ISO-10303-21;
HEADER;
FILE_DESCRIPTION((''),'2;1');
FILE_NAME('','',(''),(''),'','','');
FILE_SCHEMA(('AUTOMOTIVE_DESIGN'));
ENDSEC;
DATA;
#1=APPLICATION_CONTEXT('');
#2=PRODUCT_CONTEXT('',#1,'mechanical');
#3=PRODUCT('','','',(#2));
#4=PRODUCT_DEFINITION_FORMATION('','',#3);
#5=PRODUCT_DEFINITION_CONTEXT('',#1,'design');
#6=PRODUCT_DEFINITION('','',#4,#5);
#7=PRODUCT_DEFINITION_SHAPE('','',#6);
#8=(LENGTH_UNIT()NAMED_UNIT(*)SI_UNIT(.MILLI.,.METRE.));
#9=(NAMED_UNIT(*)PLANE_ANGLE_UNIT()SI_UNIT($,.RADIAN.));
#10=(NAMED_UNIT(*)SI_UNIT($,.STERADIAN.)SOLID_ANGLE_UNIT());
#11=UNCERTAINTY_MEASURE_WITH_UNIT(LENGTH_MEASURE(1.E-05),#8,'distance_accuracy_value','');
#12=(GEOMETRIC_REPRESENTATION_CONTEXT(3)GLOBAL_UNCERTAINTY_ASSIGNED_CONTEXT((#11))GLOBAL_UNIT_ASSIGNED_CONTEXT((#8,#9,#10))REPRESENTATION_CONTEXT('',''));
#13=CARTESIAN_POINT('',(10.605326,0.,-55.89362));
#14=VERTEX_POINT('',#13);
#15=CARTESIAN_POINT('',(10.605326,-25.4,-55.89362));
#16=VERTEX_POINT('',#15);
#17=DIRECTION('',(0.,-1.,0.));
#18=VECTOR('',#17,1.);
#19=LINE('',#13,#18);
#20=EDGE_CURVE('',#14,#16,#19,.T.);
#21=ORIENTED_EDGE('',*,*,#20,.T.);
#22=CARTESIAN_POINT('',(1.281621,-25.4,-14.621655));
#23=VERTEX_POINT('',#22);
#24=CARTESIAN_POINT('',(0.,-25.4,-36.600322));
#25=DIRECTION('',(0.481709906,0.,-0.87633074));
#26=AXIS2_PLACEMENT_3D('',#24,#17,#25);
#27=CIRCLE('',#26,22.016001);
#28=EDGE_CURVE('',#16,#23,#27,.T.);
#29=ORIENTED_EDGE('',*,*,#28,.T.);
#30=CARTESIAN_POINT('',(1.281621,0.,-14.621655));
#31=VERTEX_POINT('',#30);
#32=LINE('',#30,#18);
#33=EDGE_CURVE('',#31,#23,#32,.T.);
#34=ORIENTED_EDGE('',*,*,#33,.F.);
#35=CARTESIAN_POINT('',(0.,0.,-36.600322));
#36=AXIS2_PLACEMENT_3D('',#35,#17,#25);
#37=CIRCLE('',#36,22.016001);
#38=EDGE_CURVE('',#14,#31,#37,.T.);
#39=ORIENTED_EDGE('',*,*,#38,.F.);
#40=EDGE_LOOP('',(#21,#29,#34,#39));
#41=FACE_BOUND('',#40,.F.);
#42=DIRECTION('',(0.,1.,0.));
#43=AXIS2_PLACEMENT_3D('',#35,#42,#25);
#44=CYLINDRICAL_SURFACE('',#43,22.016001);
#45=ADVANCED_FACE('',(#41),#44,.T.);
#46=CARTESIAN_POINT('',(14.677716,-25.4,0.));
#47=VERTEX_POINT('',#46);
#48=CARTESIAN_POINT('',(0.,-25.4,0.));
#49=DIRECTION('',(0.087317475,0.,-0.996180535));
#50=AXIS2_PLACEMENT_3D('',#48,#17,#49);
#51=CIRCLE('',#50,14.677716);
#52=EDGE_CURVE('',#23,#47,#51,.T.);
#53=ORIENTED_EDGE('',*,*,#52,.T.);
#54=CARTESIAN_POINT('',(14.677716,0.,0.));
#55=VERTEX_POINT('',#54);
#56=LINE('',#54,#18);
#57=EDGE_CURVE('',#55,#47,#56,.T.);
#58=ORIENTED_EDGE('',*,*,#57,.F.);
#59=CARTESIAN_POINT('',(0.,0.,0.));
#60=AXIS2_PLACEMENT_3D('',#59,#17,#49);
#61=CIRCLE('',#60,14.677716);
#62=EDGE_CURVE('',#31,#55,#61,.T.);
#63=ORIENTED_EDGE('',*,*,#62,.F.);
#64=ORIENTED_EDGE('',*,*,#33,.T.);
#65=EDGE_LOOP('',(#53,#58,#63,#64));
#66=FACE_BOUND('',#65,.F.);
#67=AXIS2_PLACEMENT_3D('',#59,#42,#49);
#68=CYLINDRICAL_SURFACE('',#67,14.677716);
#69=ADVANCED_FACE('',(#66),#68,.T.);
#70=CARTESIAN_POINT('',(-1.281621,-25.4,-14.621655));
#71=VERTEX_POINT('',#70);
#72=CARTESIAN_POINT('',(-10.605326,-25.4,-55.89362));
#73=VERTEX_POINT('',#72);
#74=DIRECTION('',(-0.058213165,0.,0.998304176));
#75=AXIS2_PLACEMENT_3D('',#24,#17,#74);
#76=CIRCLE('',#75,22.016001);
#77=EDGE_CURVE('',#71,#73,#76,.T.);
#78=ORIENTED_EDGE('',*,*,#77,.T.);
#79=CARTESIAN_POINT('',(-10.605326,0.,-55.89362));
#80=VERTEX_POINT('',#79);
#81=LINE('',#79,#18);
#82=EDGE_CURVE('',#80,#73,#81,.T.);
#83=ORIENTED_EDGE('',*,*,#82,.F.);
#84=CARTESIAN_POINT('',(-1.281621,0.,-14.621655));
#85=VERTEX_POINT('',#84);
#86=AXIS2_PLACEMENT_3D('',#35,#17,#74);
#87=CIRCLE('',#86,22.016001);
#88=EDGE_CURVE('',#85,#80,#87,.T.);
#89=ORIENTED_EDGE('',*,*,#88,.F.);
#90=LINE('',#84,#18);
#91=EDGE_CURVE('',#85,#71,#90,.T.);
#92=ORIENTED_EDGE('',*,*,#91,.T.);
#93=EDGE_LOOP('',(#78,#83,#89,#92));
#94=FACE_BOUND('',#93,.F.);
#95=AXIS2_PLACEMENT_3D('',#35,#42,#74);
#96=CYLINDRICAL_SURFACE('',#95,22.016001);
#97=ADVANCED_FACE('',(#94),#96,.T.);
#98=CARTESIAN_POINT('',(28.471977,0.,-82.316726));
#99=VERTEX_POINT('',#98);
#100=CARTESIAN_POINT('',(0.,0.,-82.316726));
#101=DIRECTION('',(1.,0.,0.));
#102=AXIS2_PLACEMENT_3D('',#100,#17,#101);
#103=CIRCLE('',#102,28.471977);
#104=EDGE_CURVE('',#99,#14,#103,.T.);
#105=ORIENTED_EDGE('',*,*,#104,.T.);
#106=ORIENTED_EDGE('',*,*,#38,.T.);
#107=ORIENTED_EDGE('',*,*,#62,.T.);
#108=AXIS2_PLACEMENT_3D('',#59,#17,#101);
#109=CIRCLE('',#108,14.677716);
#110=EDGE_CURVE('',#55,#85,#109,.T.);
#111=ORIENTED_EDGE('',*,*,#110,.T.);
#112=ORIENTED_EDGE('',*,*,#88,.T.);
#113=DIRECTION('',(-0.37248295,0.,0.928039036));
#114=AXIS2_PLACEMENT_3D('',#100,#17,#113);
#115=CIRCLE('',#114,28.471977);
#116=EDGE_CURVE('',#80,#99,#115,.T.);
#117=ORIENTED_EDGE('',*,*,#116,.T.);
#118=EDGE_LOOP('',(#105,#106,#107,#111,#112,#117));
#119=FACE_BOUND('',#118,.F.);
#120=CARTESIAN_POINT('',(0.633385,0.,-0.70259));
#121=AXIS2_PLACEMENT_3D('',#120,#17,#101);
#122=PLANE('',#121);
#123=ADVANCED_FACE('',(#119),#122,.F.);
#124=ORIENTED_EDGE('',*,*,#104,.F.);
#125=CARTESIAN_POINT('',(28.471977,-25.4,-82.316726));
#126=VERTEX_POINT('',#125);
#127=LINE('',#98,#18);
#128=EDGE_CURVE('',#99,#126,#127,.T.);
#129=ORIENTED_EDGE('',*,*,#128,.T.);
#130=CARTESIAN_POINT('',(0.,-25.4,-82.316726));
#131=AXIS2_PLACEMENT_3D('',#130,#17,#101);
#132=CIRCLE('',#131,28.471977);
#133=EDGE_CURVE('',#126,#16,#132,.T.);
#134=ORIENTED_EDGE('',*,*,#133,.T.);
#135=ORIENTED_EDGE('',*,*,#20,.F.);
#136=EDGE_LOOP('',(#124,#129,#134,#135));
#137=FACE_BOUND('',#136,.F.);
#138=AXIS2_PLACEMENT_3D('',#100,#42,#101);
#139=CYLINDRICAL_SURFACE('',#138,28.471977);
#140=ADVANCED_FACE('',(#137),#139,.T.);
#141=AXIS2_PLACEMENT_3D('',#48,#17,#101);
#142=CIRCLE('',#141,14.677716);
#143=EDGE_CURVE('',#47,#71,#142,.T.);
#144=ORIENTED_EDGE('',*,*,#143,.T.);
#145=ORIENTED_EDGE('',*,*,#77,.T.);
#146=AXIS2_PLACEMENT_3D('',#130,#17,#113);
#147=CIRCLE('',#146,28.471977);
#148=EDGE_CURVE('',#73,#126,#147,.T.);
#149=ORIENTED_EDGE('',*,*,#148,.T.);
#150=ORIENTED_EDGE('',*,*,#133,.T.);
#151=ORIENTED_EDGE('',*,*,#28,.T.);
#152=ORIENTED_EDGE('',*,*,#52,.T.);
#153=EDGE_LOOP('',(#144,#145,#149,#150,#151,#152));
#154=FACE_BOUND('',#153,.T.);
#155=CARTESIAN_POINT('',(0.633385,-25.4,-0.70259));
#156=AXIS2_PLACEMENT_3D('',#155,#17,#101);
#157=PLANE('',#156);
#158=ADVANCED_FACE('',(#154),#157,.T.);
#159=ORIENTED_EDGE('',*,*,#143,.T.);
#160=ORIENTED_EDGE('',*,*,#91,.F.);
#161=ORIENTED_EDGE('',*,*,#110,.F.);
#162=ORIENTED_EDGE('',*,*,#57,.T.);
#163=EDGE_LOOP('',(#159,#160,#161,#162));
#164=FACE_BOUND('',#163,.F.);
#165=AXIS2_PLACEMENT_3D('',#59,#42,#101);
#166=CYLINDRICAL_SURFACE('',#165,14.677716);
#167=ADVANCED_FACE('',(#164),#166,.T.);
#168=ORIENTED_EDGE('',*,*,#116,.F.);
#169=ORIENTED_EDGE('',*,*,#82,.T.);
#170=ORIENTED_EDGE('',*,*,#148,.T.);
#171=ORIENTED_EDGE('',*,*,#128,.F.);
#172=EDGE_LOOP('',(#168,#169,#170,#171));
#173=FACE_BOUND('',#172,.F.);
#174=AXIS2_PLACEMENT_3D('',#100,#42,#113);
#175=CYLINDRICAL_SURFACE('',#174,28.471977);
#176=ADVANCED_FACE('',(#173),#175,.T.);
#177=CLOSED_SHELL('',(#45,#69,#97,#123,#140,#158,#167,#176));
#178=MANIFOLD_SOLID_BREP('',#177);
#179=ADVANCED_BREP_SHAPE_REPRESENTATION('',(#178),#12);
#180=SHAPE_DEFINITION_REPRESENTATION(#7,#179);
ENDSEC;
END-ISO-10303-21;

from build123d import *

# Parameters (mm, degrees)
F1_DEPTH = 25.4


with BuildPart() as f1:
    # F0 (on Front) → F1 (new body)
    with BuildSketch(Plane.XZ):
        with BuildLine():
            ThreePointArc((1.281621129, -14.6216553688), (10.8223525607, -9.9152429872), (14.6777163906, 0))
            ThreePointArc((14.6777163906, 0), (-9.9152429872, 10.8223525607), (-1.281621129, -14.6216553688))
            ThreePointArc((-1.281621129, -14.6216553688), (0, -14.5843201005), (1.281621129, -14.6216553688))
        make_face()
        with BuildLine():
            ThreePointArc((1.281621129, -14.6216553688), (0, -14.5843201005), (-1.281621129, -14.6216553688))
            ThreePointArc((-1.281621129, -14.6216553688), (0, -14.6777163906), (1.281621129, -14.6216553688))
        make_face()
        with BuildLine():
            ThreePointArc((1.281621129, -14.6216553688), (0, -14.6777163906), (-1.281621129, -14.6216553688))
            ThreePointArc((-1.281621129, -14.6216553688), (-21.4748376357, -31.7489642451), (-10.6053259906, -55.8936203584))
            ThreePointArc((-10.6053259906, -55.8936203584), (0, -53.8447494391), (10.6053259906, -55.8936203584))
            ThreePointArc((10.6053259906, -55.8936203584), (18.9498178248, -47.8078512952), (22.0160014308, -36.6003215313))
            ThreePointArc((22.0160014308, -36.6003215313), (16.0143762228, -21.4925727515), (1.281621129, -14.6216553688))
        make_face()
        with BuildLine():
            ThreePointArc((10.6053259906, -55.8936203584), (0, -53.8447494391), (-10.6053259906, -55.8936203584))
            ThreePointArc((-10.6053259906, -55.8936203584), (0, -58.6163229621), (10.6053259906, -55.8936203584))
        make_face()
        with BuildLine():
            ThreePointArc((10.6053259906, -55.8936203584), (0, -58.6163229621), (-10.6053259906, -55.8936203584))
            ThreePointArc((-10.6053259906, -55.8936203584), (-15.9483365423, -105.9028248142), (28.4719770071, -82.3167264462))
            ThreePointArc((28.4719770071, -82.3167264462), (23.586098368, -66.3683899038), (10.6053259906, -55.8936203584))
        make_face()
    extrude(amount=F1_DEPTH)


solid = f1.part
